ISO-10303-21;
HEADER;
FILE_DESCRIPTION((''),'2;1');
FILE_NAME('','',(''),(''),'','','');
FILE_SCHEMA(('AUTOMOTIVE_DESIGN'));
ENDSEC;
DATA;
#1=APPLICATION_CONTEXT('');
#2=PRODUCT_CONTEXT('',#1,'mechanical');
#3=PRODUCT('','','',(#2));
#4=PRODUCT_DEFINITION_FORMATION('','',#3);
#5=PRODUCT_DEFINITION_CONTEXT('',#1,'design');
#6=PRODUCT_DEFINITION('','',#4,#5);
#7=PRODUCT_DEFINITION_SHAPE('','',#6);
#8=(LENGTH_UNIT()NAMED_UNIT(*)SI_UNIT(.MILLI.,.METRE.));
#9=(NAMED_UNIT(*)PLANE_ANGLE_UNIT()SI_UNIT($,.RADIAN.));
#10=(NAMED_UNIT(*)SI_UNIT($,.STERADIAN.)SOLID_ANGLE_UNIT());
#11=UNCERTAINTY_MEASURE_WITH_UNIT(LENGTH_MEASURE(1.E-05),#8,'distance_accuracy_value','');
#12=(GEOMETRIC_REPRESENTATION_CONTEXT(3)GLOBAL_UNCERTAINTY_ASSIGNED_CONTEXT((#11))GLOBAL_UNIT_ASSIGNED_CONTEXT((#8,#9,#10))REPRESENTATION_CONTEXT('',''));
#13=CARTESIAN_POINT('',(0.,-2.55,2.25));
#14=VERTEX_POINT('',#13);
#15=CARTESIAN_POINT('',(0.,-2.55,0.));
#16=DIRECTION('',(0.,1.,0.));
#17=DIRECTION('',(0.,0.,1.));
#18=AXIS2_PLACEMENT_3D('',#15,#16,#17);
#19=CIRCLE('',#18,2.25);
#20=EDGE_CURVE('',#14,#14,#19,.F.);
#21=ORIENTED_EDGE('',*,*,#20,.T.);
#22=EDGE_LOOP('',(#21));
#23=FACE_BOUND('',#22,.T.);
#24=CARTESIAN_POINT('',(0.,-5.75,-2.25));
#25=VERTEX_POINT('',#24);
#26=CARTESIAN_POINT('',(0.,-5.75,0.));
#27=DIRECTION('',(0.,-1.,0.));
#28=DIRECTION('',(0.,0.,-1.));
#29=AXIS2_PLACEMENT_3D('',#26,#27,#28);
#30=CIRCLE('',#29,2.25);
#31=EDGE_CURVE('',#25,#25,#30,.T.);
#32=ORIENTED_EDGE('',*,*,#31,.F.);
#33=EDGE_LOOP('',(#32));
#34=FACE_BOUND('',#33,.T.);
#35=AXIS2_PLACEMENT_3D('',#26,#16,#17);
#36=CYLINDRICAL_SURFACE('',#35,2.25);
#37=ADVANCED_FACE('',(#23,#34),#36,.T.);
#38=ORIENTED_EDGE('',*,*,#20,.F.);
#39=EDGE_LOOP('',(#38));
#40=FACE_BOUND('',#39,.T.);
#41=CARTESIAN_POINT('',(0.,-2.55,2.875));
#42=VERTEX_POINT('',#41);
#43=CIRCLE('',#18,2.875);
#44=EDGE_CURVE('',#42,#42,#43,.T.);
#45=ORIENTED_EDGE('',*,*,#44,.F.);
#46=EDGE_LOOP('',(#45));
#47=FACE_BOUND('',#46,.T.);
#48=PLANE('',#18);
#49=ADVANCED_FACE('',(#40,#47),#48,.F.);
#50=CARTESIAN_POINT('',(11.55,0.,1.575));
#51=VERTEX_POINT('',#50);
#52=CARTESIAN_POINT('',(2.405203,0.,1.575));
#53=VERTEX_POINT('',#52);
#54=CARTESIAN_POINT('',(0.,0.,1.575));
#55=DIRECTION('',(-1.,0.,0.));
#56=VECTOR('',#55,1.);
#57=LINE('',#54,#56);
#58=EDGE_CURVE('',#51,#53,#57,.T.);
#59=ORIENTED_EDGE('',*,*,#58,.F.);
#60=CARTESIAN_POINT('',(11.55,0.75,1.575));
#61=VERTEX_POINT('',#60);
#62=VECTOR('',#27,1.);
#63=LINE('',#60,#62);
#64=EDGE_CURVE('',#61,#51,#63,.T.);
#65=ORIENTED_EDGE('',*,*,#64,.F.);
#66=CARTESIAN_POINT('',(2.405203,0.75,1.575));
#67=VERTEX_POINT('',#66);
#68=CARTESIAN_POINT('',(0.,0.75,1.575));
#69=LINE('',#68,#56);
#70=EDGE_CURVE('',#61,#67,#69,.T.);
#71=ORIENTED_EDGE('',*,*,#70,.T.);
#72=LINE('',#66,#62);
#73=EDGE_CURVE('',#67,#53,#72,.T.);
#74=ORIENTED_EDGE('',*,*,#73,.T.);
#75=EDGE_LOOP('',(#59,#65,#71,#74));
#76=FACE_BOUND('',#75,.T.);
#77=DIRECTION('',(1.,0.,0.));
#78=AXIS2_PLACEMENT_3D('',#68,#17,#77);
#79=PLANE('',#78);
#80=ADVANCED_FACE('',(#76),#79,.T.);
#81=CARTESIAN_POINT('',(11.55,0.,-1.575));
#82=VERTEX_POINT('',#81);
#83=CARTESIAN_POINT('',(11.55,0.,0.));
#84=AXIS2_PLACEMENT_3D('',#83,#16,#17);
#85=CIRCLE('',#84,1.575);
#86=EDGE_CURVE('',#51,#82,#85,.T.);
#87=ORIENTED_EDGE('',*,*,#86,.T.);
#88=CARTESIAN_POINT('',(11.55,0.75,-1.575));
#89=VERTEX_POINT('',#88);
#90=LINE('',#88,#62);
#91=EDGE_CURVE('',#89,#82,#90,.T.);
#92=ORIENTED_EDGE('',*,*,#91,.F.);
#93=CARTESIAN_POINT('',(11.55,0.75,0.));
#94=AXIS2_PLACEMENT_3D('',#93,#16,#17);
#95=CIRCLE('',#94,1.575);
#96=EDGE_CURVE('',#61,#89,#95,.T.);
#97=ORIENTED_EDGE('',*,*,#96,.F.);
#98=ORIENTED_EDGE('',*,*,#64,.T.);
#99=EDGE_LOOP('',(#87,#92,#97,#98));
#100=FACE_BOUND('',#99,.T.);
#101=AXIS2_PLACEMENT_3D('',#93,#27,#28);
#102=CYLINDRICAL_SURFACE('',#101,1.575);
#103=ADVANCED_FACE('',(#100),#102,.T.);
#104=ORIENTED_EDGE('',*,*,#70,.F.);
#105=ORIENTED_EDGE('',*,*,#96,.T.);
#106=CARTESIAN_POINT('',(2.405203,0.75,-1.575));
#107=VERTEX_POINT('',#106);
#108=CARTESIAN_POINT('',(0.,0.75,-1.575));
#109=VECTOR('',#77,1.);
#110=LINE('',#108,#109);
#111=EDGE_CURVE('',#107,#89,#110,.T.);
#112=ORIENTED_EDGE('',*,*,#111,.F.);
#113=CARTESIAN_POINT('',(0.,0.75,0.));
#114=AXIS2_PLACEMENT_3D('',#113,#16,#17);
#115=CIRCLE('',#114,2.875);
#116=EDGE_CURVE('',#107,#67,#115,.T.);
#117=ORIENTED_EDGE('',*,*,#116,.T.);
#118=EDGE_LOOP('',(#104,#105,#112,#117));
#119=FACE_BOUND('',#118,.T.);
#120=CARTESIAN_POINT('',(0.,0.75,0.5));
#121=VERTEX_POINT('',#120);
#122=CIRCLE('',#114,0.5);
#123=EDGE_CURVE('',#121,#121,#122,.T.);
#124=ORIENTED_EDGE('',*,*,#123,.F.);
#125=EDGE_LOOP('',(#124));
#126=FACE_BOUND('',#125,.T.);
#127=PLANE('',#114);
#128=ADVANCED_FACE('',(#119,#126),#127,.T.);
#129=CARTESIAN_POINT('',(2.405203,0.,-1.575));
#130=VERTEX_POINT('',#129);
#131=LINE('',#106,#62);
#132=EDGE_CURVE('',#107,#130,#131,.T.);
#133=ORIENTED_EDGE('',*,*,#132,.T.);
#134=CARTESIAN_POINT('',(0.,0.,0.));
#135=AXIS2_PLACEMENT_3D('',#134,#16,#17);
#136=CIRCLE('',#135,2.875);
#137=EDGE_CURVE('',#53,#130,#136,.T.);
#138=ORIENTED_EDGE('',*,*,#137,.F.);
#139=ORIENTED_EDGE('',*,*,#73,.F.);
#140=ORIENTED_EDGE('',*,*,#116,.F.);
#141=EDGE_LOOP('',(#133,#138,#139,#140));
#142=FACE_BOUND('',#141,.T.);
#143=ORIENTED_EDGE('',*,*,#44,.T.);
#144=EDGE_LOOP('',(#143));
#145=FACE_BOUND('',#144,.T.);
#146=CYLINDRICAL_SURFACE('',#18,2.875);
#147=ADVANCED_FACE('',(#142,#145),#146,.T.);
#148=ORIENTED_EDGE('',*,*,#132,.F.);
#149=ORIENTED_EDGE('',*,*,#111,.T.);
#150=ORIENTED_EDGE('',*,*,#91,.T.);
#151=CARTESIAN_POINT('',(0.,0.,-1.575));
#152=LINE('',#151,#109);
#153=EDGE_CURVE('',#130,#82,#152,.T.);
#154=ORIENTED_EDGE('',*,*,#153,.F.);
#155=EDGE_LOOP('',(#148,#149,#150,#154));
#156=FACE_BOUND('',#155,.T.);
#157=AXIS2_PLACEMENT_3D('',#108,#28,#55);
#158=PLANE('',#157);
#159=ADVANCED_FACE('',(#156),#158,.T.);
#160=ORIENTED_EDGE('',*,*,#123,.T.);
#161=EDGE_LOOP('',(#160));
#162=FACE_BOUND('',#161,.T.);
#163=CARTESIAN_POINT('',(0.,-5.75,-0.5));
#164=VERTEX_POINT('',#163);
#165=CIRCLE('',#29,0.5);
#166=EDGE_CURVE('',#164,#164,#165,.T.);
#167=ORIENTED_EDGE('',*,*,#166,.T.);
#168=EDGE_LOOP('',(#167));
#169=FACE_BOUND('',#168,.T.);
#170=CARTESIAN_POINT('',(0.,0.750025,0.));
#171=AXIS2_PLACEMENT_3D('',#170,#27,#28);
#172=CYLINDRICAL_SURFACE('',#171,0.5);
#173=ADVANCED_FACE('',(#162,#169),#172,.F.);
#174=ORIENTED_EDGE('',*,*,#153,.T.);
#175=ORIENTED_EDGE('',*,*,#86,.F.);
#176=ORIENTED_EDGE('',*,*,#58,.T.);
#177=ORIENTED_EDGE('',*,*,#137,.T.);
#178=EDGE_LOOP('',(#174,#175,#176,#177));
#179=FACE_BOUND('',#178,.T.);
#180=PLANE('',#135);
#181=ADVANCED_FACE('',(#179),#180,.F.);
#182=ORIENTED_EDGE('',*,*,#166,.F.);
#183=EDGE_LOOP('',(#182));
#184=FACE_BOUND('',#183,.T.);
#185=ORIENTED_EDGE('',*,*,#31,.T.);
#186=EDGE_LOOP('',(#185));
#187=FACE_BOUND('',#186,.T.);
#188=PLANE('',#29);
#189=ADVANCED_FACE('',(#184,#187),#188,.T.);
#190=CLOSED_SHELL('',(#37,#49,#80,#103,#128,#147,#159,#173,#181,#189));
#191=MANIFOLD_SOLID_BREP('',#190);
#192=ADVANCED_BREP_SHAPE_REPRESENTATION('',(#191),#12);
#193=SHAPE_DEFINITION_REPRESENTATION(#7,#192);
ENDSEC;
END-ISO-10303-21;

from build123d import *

# Parameters (mm, degrees)
SKETCH1_R           = 2.875
BOSS_EXTRUDE1_DEPTH = 2.55
BOSS_EXTRUDE2_DEPTH = 0.75
SKETCH2_R           = 2.25
BOSS_EXTRUDE3_DEPTH = 3.2
SKETCH3_R           = 0.5
CUT_EXTRUDE1_DEPTH  = 7.5


with BuildPart() as part:
    # Sketch1 → Boss-Extrude1 (new body)
    with BuildSketch(Plane(origin=(0, 0, 0), x_dir=(1, 0, 0), z_dir=(0, 1, 0))):
        Circle(SKETCH1_R)
    extrude(amount=-BOSS_EXTRUDE1_DEPTH)

    # Sketch1<4> → Boss-Extrude2 (add)
    with BuildSketch(Plane(origin=(0, 0, 0), x_dir=(1, 0, 0), z_dir=(0, 1, 0))):
        with BuildLine():
            Line((2.405202694, -1.575), (11.55, -1.575))
            ThreePointArc((11.55, -1.575), (13.125, 0), (11.55, 1.575))
            Line((11.55, 1.575), (2.405202694, 1.575))
            ThreePointArc((2.405202694, 1.575), (-2.875, 0), (2.405202694, -1.575))
        make_face()
    extrude(amount=BOSS_EXTRUDE2_DEPTH)

    # Sketch2 → Boss-Extrude3 (add)
    with BuildSketch(Plane.XZ.offset(2.55)):
        Circle(SKETCH2_R)
    extrude(amount=BOSS_EXTRUDE3_DEPTH)

    # Sketch3 → Cut-Extrude1 (cut, through all)
    with BuildSketch(Plane.XZ.offset(5.75)):
        Circle(SKETCH3_R)
    extrude(amount=-CUT_EXTRUDE1_DEPTH, mode=Mode.SUBTRACT)


solid = part.part
